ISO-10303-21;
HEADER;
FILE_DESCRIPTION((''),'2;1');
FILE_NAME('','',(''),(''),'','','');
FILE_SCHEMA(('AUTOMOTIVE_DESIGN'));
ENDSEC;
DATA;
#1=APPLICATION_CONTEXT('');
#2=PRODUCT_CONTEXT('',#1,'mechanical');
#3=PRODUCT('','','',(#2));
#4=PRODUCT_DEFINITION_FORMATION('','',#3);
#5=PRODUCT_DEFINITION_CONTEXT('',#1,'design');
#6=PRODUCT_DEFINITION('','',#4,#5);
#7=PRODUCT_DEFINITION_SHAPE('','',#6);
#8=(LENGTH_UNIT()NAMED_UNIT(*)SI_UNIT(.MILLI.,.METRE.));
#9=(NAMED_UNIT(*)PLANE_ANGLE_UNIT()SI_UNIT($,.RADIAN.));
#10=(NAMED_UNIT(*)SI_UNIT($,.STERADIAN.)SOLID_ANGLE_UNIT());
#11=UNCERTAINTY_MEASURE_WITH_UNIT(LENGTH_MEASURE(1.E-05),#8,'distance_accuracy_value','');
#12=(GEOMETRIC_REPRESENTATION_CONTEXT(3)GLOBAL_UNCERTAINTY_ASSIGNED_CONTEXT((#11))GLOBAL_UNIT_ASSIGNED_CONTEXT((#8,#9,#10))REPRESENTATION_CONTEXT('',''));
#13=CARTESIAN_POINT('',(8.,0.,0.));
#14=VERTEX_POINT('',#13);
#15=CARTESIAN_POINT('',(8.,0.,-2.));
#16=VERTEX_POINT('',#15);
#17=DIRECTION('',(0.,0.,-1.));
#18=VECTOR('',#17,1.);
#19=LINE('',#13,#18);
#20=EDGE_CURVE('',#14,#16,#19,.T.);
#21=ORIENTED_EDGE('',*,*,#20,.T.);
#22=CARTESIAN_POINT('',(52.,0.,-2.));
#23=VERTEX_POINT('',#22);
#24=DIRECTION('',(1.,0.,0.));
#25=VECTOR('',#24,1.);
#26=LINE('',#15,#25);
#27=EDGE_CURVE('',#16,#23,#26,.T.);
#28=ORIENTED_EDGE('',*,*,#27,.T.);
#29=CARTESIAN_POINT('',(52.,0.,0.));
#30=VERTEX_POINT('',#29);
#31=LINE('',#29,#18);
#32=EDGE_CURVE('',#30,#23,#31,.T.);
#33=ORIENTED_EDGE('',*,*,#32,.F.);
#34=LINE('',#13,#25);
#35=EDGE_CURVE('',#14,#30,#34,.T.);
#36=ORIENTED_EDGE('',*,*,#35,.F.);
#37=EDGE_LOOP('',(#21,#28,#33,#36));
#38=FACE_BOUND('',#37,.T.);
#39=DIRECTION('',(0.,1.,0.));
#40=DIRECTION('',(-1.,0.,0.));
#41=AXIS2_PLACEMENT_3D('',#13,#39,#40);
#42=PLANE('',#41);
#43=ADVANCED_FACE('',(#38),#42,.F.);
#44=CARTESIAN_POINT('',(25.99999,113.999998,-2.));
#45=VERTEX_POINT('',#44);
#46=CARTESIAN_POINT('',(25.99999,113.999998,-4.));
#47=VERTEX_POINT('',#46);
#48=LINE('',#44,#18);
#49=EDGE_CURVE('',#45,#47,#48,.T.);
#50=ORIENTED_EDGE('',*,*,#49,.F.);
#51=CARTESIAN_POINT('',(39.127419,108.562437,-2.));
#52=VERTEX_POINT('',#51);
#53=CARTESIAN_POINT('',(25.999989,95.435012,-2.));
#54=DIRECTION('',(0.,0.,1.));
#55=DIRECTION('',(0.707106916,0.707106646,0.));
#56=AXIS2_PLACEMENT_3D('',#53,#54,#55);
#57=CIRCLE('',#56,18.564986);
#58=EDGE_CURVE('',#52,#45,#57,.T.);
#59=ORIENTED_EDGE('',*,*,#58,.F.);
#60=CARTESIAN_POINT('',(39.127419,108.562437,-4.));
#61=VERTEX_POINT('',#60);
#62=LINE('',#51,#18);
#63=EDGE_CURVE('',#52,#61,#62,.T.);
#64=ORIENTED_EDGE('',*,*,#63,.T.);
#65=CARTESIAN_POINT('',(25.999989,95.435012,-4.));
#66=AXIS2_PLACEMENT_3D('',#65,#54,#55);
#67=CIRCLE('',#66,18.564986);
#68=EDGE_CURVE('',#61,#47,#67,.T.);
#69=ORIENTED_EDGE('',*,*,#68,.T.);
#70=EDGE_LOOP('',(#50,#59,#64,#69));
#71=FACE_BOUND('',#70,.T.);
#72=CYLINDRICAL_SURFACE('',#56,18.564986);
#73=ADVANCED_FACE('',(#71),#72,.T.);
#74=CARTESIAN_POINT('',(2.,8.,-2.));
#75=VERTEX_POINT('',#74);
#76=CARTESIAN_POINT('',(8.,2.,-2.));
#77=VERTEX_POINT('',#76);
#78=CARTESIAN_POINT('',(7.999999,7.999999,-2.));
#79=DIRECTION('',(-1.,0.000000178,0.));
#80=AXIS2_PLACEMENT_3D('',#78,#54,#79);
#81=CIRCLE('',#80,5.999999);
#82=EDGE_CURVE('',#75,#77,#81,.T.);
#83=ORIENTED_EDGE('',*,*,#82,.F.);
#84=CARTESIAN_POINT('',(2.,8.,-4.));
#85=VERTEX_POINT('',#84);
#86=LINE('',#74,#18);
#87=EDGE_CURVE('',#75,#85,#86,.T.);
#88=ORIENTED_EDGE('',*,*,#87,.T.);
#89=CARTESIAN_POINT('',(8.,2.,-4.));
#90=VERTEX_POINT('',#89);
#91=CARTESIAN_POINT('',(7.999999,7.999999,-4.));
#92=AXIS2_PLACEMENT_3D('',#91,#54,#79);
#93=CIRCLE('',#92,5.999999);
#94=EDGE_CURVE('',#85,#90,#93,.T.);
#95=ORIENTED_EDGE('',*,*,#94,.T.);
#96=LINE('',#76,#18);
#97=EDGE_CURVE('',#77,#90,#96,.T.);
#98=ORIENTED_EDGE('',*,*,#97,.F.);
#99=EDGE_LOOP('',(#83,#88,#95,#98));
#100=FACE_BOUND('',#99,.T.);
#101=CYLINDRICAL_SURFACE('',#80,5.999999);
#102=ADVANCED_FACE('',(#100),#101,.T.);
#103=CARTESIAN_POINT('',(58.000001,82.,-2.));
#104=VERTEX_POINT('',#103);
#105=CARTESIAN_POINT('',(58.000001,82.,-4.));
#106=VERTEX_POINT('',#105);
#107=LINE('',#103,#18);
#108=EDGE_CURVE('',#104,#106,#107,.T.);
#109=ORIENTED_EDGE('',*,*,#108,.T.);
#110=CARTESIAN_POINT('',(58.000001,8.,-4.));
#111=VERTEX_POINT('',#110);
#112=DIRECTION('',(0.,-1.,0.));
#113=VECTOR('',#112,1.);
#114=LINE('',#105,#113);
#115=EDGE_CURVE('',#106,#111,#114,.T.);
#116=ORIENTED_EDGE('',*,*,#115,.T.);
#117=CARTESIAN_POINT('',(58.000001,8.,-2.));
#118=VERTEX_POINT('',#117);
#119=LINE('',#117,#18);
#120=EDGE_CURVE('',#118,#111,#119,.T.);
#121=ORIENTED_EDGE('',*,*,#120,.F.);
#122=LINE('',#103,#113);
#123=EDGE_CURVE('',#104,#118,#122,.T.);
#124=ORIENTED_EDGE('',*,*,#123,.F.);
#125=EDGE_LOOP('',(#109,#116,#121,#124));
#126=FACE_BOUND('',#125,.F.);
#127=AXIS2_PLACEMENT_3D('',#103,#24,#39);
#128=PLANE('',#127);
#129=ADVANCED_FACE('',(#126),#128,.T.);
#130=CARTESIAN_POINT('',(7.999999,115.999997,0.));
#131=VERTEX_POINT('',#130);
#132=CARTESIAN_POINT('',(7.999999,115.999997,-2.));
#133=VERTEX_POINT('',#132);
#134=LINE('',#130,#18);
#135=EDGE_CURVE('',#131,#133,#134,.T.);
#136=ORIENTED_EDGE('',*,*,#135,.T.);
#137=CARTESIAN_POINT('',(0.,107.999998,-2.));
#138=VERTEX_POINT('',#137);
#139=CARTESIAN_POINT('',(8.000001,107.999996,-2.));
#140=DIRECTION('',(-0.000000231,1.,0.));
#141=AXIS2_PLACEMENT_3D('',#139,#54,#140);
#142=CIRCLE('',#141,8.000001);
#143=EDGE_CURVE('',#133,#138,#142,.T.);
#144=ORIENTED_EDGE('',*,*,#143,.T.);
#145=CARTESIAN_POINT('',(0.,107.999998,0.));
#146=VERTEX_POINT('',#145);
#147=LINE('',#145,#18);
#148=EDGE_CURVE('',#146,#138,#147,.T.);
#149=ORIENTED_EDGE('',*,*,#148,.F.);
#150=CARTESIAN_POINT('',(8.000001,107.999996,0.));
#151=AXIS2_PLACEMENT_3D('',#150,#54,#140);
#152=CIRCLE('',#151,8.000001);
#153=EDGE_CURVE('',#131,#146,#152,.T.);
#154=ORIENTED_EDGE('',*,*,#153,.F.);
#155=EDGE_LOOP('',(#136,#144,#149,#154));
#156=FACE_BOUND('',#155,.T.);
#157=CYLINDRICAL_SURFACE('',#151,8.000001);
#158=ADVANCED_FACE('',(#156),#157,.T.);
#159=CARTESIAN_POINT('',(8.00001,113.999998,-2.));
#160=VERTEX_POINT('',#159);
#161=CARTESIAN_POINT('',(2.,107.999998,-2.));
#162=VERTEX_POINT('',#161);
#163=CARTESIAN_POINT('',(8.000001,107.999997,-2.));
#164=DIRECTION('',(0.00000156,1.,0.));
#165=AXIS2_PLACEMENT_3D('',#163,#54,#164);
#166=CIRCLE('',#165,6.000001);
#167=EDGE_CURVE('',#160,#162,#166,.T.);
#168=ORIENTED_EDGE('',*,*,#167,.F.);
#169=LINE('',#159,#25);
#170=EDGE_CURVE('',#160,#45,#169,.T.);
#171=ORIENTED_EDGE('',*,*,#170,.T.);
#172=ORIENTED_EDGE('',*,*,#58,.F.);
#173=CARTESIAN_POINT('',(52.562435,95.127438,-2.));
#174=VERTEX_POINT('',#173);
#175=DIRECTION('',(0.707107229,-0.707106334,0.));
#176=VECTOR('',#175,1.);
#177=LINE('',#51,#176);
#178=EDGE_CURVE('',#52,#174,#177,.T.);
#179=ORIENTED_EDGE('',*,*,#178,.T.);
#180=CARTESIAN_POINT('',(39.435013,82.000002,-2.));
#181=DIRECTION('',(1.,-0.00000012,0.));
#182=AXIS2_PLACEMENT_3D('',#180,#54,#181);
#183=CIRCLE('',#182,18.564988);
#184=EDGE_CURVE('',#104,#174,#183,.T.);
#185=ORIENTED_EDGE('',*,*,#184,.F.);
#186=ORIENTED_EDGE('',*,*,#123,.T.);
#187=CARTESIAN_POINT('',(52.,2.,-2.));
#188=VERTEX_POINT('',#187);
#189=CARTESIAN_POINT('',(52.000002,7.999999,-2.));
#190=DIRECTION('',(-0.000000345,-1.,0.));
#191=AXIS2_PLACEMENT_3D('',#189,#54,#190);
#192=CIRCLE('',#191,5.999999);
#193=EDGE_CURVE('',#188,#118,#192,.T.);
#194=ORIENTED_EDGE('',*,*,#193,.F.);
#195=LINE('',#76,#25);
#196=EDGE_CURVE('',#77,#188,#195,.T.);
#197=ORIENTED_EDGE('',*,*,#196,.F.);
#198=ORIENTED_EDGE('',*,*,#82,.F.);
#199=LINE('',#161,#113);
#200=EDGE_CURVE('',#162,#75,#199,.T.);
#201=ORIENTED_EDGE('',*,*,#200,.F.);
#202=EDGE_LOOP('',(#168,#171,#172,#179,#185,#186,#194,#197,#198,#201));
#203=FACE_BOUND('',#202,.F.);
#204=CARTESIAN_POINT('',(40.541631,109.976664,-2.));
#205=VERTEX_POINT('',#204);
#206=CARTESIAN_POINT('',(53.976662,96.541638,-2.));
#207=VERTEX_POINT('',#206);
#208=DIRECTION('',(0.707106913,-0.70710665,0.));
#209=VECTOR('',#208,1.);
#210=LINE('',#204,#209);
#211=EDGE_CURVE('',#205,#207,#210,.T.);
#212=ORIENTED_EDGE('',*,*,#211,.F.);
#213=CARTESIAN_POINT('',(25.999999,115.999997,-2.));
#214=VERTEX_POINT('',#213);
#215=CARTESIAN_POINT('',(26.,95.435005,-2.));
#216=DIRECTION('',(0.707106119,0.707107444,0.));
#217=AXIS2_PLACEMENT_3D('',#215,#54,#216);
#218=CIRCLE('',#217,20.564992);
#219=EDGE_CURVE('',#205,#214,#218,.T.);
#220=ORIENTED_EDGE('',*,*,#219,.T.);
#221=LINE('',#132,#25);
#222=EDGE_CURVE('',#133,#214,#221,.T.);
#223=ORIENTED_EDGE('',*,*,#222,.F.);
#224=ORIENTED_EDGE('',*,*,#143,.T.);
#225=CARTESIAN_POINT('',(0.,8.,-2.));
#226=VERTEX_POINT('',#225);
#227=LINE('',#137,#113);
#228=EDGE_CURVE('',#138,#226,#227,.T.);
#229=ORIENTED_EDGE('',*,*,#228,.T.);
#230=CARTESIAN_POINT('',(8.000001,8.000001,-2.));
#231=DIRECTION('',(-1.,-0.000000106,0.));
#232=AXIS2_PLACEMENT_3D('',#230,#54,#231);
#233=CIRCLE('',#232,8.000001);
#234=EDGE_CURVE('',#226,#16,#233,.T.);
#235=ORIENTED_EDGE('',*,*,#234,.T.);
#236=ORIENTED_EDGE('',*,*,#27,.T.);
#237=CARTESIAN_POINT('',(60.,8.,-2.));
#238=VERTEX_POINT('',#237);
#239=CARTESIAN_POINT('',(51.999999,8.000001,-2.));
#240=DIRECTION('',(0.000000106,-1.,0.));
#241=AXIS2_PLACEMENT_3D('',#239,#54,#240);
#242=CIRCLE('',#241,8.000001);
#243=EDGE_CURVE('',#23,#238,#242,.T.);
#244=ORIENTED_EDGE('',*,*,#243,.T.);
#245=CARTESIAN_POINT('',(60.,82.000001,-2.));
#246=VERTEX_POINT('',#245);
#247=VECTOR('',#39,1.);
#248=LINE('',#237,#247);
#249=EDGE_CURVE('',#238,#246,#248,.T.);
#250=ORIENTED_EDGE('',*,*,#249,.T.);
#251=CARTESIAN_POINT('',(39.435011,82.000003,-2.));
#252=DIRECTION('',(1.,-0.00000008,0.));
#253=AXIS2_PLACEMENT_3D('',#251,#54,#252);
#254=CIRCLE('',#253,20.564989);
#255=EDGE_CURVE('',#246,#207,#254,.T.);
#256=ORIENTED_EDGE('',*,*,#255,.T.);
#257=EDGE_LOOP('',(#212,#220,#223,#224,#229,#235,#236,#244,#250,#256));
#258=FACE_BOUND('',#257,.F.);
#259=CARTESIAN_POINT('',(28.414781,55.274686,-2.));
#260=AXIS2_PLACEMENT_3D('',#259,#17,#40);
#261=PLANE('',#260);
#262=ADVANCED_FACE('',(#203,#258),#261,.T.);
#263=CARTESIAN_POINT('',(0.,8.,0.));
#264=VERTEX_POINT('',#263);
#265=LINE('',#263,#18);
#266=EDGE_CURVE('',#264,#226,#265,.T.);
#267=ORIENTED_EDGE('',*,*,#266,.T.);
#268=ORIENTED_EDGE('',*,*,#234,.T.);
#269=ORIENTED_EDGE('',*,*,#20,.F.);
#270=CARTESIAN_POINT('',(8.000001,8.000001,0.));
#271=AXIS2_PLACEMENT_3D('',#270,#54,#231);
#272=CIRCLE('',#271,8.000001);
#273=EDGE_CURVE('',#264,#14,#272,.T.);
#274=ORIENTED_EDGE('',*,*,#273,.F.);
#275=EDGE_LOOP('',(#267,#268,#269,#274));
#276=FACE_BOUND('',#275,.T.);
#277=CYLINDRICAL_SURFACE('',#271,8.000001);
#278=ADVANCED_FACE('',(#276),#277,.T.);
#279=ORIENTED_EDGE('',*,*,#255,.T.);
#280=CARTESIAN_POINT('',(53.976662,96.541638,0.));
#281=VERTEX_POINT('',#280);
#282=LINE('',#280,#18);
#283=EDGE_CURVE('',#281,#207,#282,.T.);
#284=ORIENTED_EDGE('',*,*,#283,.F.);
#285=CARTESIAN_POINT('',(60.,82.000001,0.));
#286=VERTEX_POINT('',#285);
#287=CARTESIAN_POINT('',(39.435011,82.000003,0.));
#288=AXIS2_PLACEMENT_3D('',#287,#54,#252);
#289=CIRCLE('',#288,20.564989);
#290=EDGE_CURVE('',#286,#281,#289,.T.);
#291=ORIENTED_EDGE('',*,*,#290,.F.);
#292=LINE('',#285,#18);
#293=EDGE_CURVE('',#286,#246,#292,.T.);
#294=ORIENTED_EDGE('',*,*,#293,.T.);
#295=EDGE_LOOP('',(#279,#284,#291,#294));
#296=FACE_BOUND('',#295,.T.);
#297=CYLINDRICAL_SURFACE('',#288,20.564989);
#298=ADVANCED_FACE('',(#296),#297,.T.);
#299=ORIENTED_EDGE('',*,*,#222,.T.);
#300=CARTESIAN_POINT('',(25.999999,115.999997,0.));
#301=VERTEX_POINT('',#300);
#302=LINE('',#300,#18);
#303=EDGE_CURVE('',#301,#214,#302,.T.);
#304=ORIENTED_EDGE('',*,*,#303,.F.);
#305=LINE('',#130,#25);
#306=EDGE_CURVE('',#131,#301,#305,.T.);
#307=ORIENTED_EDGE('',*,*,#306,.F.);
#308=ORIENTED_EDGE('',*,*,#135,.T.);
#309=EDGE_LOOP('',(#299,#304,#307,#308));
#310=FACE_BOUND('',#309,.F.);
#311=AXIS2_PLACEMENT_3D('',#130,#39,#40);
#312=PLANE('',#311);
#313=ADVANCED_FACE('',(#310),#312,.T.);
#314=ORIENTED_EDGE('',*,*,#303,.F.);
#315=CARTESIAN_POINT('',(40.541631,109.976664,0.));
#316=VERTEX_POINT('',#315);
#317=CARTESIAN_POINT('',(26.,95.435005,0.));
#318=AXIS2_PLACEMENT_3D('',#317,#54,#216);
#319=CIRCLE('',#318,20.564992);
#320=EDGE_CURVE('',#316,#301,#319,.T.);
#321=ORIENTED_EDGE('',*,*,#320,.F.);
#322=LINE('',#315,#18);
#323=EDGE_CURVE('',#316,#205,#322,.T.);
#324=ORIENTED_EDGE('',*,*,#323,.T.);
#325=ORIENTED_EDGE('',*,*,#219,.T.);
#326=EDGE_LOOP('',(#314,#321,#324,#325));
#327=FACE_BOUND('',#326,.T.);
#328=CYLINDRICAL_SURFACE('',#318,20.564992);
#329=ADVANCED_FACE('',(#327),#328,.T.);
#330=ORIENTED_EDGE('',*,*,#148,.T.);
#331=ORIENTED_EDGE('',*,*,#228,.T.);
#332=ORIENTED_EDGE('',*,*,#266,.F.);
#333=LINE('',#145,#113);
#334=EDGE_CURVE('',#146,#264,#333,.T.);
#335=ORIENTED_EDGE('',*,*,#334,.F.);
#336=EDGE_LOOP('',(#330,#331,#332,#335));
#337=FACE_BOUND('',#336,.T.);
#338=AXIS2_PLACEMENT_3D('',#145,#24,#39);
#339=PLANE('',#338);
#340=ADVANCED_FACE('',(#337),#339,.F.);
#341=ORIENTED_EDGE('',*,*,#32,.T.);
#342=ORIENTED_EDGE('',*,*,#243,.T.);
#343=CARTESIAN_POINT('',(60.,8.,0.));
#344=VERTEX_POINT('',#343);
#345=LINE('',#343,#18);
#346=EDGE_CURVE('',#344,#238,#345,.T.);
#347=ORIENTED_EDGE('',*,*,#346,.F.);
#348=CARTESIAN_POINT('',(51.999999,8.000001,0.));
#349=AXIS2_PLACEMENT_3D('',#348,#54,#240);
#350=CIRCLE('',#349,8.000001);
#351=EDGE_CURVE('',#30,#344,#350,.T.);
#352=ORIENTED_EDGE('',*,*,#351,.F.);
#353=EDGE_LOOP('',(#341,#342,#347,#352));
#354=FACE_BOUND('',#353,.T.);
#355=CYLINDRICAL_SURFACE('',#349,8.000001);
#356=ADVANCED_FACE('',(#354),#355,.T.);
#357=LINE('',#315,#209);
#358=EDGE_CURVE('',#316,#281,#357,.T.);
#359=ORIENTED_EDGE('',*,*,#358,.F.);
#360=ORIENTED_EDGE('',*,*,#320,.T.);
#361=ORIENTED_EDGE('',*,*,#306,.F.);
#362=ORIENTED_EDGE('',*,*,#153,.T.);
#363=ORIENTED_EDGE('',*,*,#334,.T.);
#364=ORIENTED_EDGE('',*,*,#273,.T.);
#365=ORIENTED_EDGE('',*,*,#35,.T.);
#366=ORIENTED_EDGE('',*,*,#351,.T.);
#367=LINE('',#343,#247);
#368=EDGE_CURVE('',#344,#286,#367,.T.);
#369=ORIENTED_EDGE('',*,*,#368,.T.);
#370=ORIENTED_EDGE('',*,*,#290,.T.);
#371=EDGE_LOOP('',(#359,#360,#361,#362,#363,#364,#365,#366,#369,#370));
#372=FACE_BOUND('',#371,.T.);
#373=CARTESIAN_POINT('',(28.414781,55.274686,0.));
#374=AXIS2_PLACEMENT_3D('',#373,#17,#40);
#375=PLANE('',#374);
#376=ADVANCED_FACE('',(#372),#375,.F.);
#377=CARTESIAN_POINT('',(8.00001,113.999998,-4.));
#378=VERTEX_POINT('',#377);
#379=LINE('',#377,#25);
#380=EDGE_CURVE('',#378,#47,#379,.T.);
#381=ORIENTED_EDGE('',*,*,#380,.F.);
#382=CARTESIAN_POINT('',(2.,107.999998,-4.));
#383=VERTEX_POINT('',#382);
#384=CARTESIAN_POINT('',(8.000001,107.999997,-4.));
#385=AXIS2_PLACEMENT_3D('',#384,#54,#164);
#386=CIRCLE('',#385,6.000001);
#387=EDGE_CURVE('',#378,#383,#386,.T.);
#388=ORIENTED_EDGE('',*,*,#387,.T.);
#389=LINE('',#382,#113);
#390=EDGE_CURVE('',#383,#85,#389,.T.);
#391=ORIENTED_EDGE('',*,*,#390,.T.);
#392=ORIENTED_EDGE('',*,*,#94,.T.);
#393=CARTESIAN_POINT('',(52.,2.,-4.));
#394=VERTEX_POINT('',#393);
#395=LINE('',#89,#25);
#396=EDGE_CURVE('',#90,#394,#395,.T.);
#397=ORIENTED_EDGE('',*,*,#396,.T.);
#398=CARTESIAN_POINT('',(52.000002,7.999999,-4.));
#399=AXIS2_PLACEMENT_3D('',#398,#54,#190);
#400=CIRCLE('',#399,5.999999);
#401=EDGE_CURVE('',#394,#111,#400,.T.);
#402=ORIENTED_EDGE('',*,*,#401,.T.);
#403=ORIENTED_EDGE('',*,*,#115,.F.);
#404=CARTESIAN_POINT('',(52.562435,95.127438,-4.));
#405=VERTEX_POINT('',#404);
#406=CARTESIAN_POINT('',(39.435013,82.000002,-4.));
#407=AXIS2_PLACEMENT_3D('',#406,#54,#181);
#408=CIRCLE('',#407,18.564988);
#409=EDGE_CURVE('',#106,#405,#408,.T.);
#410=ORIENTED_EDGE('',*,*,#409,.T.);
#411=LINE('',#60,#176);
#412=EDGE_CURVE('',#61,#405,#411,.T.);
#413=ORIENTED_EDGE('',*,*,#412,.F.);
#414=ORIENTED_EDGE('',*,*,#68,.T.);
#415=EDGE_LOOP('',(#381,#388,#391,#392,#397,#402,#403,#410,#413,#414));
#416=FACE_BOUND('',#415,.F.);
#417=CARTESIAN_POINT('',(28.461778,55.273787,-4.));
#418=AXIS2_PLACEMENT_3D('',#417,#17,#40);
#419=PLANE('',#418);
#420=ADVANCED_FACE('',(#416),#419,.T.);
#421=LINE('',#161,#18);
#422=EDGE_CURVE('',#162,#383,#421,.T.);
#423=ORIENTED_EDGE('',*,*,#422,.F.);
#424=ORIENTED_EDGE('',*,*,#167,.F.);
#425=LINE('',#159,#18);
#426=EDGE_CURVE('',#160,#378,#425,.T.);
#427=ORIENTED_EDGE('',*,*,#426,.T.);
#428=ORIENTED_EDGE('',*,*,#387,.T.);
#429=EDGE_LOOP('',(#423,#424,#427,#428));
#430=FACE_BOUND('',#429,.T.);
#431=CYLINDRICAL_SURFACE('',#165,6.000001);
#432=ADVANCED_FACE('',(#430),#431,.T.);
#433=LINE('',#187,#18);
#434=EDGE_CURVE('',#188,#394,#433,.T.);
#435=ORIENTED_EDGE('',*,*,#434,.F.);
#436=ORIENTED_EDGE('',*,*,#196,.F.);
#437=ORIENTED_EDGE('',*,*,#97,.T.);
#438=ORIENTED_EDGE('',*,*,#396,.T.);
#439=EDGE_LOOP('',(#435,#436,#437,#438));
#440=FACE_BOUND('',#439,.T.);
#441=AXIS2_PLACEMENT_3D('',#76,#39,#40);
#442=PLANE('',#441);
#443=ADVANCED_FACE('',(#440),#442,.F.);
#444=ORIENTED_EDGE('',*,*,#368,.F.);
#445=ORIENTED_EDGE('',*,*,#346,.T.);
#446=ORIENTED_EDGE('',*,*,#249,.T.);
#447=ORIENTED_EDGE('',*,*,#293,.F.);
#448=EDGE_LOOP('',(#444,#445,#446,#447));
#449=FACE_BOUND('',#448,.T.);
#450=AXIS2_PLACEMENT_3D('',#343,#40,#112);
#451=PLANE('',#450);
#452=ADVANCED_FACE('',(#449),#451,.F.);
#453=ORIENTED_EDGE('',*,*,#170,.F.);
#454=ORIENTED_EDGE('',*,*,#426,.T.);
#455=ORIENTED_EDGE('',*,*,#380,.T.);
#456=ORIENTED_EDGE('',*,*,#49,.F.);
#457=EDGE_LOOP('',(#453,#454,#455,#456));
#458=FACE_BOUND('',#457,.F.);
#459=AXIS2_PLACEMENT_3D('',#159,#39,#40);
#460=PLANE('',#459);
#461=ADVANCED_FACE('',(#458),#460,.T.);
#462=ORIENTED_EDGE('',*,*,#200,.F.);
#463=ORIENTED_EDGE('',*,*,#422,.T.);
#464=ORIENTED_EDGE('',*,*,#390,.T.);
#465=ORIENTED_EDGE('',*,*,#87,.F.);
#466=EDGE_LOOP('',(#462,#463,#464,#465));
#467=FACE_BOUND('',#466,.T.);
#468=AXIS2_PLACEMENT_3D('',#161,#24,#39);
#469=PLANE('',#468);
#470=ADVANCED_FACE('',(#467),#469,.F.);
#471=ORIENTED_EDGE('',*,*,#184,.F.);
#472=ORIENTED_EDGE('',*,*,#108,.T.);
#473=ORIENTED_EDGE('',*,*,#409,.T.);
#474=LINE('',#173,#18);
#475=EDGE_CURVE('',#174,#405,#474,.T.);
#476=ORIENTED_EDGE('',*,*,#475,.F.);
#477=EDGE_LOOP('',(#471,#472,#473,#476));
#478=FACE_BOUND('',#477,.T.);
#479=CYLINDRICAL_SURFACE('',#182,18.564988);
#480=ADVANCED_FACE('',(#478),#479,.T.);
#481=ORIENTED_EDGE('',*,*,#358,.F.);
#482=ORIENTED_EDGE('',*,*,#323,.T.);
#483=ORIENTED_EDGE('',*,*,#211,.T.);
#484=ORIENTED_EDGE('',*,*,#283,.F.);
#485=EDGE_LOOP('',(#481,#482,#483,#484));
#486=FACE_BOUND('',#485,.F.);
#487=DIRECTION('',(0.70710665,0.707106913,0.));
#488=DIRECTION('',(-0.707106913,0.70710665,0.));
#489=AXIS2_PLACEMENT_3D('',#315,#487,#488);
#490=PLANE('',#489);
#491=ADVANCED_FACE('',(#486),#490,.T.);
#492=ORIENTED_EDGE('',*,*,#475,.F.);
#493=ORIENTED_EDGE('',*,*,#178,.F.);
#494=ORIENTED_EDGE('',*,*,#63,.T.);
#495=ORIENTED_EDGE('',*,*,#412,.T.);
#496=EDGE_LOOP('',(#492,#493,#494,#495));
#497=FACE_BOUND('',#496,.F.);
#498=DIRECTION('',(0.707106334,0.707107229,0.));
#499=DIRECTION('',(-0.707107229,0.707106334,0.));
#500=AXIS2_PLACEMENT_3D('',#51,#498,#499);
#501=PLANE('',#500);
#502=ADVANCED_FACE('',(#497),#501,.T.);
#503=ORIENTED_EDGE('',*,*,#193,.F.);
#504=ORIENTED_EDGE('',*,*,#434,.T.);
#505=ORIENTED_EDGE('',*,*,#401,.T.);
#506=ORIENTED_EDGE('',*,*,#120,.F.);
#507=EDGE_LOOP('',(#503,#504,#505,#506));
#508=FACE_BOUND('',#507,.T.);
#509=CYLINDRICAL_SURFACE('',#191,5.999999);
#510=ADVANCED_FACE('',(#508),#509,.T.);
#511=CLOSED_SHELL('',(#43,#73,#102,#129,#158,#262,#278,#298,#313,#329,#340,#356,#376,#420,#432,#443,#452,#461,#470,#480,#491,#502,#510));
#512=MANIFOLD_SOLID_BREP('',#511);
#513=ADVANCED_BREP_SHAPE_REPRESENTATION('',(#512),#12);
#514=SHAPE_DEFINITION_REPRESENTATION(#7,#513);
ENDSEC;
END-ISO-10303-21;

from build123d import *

# Parameters (mm, degrees)
PAD_DEPTH    = 2
PAD001_DEPTH = 2


with BuildPart() as pad001:
    # Sketch → Pad (new body)
    with BuildSketch(Plane.XY):
        with BuildLine():
            Line((60, 8), (60, 82.000001))
            ThreePointArc((60, 82.000001), (58.434586, 89.869877), (53.976662, 96.541638))
            Line((40.541631, 109.976664), (53.976662, 96.541638))
            ThreePointArc((40.541631, 109.976664), (33.869872, 114.434584), (25.999999, 115.999997))
            Line((7.999999, 115.999997), (25.999999, 115.999997))
            ThreePointArc((7.999999, 115.999997), (2.343146, 113.656851), (0, 107.999998))
            Line((0, 107.999998), (0, 8))
            ThreePointArc((0, 8), (2.343146, 2.343146), (8, 0))
            Line((8, 0), (52, 0))
            ThreePointArc((52, 0), (57.656854, 2.343146), (60, 8))
        make_face()
    extrude(amount=PAD_DEPTH)

    # Sketch001 → Pad001 (new body)
    with BuildSketch(Plane.XY.offset(2)):
        with BuildLine():
            ThreePointArc((8.00001, 113.999998), (3.757363, 112.242642), (2, 107.999998))
            Line((2, 107.999998), (2, 8))
            ThreePointArc((2, 8), (3.757359, 3.757359), (8, 2))
            Line((8, 2), (52, 2))
            ThreePointArc((52, 2), (56.242642, 3.757359), (58.000001, 8))
            Line((58.000001, 82), (58.000001, 8))
            ThreePointArc((58.000001, 82), (56.586824, 89.104519), (52.562435, 95.127438))
            Line((39.127419, 108.562437), (52.562435, 95.127438))
            ThreePointArc((39.127419, 108.562437), (33.104503, 112.586822), (25.99999, 113.999998))
            Line((8.00001, 113.999998), (25.99999, 113.999998))
        make_face()
    extrude(amount=PAD001_DEPTH)


with BuildPart() as part_mirroring:
    # Part__Mirroring: instance of Pad001
    add(pad001.part.mirror(Plane(origin=(0, 0, 0), x_dir=(0, 1, 0), z_dir=(0, 0, 1))))


solid = part_mirroring.part
